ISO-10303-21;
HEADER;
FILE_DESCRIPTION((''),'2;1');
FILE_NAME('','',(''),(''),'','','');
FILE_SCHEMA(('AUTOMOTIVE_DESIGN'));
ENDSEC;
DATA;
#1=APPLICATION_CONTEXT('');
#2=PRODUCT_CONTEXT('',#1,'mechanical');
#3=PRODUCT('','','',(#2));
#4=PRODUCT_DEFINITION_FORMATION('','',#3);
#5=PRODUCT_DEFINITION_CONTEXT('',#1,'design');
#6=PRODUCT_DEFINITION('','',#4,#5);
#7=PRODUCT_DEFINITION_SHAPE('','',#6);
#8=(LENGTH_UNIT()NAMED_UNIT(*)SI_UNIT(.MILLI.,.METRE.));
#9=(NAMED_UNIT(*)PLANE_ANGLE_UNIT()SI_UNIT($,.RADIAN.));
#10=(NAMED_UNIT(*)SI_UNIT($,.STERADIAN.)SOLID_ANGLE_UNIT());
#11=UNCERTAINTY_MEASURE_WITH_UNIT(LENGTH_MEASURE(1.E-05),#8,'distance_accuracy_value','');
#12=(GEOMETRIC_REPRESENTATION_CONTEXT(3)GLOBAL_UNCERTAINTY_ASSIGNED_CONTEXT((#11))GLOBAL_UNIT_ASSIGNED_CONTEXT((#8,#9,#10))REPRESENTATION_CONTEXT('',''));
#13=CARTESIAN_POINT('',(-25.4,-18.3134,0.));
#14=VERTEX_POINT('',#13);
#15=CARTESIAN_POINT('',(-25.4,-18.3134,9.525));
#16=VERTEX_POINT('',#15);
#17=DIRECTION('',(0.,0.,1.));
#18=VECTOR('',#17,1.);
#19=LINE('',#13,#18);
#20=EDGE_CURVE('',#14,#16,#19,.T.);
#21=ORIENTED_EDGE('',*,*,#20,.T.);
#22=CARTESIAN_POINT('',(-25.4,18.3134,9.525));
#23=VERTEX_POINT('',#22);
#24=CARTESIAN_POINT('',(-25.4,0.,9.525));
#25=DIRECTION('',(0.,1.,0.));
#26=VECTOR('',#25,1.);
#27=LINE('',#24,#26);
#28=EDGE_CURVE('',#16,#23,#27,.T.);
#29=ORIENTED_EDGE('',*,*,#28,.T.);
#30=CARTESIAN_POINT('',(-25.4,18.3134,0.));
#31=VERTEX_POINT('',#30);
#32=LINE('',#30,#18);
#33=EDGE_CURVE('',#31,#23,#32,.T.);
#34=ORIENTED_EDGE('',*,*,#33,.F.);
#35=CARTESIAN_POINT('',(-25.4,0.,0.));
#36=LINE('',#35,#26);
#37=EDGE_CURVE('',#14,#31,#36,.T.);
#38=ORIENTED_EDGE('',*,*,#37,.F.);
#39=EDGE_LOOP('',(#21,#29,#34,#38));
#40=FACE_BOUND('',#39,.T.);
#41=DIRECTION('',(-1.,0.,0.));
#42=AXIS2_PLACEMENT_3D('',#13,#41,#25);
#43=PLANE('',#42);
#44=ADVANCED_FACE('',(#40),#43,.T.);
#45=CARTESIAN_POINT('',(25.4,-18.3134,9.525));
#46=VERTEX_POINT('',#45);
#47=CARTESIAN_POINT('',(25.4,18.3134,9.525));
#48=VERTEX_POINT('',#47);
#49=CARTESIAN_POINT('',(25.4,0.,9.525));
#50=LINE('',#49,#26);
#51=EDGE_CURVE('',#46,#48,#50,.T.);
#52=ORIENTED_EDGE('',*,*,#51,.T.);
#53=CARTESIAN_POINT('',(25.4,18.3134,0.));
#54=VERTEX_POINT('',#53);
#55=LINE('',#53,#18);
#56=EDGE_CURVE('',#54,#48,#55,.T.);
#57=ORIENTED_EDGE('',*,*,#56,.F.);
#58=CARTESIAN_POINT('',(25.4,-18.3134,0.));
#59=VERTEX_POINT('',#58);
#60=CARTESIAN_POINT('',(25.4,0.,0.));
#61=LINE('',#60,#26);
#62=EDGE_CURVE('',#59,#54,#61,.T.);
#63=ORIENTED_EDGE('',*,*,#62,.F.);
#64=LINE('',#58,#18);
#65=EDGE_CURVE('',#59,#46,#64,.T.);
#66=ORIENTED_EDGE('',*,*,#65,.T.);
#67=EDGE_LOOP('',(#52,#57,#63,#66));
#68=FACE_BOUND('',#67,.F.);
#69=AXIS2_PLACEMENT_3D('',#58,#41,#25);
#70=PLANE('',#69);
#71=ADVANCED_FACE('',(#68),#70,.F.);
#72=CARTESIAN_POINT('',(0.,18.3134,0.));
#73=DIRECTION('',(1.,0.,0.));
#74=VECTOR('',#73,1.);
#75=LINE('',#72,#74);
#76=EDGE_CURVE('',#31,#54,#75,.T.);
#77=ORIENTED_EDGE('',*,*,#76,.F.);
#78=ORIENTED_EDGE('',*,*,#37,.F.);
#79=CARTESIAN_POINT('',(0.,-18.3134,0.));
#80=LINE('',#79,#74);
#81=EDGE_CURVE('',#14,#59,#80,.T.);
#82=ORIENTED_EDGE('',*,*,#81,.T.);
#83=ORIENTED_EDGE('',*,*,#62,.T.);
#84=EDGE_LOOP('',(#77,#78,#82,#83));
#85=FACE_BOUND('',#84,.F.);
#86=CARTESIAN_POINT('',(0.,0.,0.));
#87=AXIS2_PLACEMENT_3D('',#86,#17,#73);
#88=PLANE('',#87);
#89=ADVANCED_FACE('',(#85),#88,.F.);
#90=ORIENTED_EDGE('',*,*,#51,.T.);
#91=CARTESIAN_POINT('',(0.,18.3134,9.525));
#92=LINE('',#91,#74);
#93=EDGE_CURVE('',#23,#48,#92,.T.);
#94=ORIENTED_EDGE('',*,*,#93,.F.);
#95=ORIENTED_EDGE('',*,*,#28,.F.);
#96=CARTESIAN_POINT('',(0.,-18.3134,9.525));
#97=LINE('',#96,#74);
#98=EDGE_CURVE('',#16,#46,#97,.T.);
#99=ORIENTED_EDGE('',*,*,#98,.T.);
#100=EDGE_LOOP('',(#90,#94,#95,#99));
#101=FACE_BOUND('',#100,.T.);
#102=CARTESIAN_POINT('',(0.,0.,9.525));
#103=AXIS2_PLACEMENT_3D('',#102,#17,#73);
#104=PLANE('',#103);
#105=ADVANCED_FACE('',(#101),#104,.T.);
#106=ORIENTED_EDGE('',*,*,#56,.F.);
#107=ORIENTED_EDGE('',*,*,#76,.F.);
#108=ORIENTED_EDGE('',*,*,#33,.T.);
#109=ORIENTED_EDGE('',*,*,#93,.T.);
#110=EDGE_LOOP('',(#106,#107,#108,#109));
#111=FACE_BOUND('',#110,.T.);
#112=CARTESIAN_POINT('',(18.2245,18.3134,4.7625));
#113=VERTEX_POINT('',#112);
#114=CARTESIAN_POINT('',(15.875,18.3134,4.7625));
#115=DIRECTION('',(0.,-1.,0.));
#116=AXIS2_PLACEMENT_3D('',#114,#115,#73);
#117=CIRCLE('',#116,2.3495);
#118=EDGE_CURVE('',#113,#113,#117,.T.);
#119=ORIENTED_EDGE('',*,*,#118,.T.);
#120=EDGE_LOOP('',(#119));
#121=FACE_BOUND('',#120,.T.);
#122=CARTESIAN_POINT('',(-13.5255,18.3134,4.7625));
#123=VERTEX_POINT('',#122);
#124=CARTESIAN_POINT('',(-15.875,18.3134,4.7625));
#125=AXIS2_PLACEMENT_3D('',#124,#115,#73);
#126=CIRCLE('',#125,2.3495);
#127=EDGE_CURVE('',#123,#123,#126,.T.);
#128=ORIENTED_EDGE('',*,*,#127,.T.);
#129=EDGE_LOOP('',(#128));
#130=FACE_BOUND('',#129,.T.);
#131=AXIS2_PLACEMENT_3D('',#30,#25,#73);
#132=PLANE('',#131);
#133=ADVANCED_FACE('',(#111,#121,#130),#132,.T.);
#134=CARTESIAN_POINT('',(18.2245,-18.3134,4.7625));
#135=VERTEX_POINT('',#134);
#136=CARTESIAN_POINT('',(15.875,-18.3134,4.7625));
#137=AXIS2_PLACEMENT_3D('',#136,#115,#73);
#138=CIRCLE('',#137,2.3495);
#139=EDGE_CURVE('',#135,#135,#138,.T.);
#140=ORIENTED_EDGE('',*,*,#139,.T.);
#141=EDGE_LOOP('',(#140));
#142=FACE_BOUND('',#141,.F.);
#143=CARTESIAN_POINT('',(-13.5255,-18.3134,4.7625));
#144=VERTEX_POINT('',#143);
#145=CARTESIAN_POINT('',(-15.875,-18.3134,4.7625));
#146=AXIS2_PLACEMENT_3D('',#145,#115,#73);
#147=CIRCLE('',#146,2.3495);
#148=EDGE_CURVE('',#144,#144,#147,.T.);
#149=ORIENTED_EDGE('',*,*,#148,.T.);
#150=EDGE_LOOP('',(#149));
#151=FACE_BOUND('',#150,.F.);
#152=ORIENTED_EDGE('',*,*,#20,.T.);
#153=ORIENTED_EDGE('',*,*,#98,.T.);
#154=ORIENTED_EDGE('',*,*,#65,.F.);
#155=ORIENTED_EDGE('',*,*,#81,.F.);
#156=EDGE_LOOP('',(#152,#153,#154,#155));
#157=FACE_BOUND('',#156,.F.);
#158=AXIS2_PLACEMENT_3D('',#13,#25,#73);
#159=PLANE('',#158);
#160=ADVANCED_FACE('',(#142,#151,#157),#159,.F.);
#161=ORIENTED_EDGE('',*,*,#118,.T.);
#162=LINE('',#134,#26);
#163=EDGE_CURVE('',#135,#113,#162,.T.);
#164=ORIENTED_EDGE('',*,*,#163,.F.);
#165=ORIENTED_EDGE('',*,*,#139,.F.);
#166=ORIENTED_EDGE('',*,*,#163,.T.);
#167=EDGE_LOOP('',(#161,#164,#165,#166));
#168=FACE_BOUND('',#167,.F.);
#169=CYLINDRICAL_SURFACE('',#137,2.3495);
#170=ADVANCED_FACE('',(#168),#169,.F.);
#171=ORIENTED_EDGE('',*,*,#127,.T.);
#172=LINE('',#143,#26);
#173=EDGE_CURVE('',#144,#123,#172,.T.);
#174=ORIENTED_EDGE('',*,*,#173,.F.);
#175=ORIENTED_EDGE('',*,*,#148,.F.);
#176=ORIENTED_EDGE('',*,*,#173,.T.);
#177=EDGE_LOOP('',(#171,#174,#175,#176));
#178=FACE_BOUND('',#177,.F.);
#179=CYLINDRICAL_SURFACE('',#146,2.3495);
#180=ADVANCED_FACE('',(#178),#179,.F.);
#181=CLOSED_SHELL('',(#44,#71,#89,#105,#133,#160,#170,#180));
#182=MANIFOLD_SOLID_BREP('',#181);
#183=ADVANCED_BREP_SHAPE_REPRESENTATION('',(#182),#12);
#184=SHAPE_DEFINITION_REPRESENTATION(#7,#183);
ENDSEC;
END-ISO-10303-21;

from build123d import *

# Parameters (mm, degrees)
SKETCH_W     = 50.8
SKETCH_H     = 36.6268
PAD_DEPTH    = 9.525
SKETCH001_R  = 2.3495
POCKET_DEPTH = 36.6278


with BuildPart() as part:
    # Sketch → Pad (new body)
    with BuildSketch(Plane.XY):
        Rectangle(SKETCH_W, SKETCH_H)
    extrude(amount=PAD_DEPTH)

    # Sketch001 → Pocket (cut, through all)
    with BuildSketch(Plane.XZ.offset(18.3134)):
        with Locations((-15.875, 4.7625)):
            Circle(SKETCH001_R)
        with Locations((15.875, 4.7625)):
            Circle(SKETCH001_R)
    extrude(amount=-POCKET_DEPTH, mode=Mode.SUBTRACT)


solid = part.part
